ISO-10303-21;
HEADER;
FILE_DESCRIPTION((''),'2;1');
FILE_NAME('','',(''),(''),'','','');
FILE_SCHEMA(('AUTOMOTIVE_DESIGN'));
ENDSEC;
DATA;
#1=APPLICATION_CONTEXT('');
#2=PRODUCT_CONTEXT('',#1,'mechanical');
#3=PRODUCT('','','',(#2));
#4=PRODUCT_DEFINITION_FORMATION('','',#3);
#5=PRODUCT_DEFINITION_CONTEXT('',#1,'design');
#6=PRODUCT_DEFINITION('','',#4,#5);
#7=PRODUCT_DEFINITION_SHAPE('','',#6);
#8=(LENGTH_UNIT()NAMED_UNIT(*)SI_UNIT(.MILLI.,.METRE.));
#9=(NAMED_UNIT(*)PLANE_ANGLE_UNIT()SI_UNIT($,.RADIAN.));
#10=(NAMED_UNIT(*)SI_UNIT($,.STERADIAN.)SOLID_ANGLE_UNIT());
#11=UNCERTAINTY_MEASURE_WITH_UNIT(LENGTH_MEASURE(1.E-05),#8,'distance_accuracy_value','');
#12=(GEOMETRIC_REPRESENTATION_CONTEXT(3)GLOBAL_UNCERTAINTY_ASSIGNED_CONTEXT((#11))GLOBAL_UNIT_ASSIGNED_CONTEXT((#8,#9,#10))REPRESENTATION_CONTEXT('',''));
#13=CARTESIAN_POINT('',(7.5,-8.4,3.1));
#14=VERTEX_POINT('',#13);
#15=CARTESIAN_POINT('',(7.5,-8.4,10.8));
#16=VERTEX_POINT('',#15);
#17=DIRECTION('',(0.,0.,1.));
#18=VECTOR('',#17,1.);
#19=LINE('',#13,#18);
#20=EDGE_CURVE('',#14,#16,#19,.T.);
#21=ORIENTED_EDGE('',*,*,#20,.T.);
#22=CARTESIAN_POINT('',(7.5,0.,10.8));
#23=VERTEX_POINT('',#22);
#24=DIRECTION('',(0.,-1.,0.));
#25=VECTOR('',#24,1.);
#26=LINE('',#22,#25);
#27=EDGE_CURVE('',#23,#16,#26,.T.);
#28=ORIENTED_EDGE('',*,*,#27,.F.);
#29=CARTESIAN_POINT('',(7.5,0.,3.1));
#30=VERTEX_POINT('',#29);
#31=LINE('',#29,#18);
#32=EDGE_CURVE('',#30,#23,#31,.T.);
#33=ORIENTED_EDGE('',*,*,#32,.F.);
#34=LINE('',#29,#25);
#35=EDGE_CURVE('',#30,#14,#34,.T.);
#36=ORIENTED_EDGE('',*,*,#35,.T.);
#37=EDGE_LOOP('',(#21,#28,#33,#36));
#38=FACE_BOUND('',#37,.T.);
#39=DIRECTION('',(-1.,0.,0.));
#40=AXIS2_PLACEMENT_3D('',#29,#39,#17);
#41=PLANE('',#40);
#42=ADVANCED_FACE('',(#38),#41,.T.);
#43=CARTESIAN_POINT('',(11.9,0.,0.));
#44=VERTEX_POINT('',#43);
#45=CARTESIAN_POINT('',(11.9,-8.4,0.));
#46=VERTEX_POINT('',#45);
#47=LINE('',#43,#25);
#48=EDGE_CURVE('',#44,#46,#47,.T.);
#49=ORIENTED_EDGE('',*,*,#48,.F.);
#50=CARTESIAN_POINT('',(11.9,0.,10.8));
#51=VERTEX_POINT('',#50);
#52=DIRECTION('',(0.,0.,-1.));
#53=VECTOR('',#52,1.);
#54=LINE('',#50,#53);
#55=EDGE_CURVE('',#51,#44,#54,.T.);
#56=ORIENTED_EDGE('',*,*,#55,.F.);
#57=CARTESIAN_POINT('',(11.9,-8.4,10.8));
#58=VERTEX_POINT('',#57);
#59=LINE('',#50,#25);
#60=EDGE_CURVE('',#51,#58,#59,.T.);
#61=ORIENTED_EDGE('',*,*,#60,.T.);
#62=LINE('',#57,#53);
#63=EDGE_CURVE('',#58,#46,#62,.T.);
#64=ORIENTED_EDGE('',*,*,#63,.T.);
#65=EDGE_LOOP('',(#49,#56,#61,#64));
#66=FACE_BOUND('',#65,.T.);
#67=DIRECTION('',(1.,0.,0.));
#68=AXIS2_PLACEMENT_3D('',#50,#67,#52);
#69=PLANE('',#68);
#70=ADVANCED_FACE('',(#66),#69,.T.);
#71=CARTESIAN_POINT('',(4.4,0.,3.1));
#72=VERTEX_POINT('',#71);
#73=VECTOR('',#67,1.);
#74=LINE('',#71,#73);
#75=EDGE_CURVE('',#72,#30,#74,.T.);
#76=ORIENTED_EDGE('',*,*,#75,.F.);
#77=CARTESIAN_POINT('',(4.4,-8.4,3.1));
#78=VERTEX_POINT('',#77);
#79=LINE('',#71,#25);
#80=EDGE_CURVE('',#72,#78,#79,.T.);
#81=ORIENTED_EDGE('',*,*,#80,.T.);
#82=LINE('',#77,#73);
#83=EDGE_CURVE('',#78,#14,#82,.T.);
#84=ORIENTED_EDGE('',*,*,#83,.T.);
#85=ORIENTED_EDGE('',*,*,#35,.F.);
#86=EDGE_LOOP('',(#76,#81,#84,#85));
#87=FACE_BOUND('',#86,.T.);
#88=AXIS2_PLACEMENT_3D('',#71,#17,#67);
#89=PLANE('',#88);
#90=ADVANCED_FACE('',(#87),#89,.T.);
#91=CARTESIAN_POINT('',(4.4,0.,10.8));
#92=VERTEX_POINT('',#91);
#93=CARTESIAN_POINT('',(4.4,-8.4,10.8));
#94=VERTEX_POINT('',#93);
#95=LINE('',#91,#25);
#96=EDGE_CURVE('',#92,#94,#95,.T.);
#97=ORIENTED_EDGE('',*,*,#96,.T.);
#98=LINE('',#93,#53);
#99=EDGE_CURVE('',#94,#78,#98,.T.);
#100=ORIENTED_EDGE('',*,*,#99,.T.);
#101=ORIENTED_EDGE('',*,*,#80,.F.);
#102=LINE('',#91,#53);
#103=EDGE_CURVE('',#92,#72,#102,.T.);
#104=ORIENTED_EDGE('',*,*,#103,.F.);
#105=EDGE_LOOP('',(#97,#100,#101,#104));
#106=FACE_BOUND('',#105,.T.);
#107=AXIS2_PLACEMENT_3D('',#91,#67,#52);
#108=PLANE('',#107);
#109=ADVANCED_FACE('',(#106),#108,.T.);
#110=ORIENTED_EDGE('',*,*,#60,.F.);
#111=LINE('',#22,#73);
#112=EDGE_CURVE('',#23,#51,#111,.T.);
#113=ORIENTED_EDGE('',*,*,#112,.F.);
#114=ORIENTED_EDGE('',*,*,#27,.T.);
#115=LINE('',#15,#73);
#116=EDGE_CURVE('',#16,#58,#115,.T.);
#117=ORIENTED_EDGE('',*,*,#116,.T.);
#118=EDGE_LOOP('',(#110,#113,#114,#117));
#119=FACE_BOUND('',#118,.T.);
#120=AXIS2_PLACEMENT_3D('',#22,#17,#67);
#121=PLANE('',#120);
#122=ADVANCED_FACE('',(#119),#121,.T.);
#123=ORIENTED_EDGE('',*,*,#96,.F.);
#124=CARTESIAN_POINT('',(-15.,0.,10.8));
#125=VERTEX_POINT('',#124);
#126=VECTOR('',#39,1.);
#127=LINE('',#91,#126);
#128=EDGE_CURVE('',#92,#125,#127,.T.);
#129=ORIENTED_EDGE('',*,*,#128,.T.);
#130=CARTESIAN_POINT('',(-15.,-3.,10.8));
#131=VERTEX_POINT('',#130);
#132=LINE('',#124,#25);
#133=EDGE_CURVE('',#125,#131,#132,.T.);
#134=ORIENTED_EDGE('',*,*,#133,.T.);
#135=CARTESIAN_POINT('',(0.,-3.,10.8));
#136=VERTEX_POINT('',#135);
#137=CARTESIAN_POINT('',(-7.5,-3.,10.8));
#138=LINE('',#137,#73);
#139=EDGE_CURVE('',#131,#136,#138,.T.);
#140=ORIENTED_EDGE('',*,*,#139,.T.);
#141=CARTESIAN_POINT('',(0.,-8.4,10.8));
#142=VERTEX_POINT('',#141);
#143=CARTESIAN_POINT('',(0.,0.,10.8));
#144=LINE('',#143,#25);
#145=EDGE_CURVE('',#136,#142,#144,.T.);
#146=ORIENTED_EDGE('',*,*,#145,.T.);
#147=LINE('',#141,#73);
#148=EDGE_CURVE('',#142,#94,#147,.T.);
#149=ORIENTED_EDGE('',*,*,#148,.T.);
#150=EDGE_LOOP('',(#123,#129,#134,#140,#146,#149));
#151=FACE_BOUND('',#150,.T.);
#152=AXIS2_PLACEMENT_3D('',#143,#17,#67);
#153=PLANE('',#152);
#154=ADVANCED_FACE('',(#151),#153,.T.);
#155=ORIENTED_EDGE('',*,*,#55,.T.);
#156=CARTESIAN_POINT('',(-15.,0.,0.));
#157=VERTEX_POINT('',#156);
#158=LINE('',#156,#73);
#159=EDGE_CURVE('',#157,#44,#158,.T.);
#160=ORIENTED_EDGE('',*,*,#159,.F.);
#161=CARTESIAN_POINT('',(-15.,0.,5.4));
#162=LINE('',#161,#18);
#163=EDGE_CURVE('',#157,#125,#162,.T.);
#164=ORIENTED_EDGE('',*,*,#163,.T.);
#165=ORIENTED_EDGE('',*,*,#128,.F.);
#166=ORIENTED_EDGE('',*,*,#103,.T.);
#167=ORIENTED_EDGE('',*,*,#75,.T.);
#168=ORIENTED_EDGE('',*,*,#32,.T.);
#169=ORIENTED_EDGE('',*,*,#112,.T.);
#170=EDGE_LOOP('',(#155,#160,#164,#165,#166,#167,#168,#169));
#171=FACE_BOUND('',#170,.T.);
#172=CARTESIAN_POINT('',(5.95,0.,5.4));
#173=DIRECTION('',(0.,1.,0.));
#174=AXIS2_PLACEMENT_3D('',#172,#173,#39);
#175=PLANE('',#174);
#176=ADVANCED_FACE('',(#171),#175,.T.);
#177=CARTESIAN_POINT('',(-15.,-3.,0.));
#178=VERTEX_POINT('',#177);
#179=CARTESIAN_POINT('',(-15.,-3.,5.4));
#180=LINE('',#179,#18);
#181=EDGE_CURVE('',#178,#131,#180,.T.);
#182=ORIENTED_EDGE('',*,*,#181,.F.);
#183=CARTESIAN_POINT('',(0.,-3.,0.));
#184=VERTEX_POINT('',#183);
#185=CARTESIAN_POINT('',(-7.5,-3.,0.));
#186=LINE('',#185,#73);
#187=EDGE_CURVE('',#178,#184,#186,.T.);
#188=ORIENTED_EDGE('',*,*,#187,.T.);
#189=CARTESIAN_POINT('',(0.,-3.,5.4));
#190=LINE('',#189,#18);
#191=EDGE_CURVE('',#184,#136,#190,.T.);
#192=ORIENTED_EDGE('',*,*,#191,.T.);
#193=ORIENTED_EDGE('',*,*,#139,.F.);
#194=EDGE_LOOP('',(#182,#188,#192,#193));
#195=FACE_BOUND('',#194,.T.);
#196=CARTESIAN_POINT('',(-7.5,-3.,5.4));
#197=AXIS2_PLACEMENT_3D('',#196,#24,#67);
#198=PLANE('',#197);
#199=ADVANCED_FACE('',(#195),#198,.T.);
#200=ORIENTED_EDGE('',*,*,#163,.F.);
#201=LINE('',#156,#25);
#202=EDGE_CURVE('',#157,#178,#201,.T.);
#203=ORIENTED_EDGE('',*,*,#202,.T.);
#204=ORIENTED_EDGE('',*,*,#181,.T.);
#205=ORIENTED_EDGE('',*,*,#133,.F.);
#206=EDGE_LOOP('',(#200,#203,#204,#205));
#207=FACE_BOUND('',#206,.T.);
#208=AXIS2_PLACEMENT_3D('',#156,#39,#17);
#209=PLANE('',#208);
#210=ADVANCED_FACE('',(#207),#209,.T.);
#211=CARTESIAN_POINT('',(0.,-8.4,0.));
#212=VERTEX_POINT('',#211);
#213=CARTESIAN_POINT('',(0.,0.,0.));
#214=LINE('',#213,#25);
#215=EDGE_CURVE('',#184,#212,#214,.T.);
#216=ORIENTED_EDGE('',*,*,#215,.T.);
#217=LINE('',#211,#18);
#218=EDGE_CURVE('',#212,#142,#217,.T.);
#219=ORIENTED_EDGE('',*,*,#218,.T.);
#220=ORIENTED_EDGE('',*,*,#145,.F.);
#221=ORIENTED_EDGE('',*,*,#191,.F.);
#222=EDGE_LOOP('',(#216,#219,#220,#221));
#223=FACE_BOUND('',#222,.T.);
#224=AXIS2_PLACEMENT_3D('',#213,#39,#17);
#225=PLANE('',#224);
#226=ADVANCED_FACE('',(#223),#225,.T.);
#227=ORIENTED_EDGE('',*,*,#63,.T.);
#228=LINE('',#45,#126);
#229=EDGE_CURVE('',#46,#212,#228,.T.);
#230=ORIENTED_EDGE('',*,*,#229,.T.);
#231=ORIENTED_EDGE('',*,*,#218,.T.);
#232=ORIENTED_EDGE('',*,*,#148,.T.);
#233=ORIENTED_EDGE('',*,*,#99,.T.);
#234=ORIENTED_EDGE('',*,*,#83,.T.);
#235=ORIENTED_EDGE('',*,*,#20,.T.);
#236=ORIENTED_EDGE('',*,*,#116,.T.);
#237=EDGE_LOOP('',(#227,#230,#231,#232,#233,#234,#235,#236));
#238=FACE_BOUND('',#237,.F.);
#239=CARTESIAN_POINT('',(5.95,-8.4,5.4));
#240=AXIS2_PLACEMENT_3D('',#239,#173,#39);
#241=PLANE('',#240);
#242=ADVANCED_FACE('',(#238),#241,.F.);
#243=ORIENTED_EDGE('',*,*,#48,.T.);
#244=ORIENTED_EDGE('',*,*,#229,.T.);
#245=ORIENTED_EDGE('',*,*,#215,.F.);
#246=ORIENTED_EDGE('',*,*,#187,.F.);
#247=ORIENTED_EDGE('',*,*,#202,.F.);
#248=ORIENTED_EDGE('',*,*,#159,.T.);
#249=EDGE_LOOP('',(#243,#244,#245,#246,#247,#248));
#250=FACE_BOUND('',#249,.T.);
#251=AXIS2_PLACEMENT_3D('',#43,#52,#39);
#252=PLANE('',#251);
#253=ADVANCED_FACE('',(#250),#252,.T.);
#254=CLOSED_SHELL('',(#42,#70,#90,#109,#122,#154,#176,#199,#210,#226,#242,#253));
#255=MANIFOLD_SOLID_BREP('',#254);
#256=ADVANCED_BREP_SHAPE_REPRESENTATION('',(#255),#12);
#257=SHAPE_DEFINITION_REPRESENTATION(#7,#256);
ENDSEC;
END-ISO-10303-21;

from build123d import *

# Parameters (mm, degrees)
SKETCH001_W  = 15
SKETCH001_H  = 10.8
PAD_DEPTH    = 3
PAD001_DEPTH = 8.4


with BuildPart() as part:
    # Sketch001 → Pad (new body)
    with BuildSketch(Plane.XZ):
        with Locations((-7.5, 5.4)):
            Rectangle(SKETCH001_W, SKETCH001_H)
    extrude(amount=PAD_DEPTH)

    # Sketch → Pad001 (join)
    with BuildSketch(Plane.XZ):
        Polygon((0, 0), (0, 10.8), (4.4, 10.8), (4.4, 3.1), (7.5, 3.1), (7.5, 10.8), (11.9, 10.8), (11.9, 0), align=None)
    extrude(amount=PAD001_DEPTH)


solid = part.part
